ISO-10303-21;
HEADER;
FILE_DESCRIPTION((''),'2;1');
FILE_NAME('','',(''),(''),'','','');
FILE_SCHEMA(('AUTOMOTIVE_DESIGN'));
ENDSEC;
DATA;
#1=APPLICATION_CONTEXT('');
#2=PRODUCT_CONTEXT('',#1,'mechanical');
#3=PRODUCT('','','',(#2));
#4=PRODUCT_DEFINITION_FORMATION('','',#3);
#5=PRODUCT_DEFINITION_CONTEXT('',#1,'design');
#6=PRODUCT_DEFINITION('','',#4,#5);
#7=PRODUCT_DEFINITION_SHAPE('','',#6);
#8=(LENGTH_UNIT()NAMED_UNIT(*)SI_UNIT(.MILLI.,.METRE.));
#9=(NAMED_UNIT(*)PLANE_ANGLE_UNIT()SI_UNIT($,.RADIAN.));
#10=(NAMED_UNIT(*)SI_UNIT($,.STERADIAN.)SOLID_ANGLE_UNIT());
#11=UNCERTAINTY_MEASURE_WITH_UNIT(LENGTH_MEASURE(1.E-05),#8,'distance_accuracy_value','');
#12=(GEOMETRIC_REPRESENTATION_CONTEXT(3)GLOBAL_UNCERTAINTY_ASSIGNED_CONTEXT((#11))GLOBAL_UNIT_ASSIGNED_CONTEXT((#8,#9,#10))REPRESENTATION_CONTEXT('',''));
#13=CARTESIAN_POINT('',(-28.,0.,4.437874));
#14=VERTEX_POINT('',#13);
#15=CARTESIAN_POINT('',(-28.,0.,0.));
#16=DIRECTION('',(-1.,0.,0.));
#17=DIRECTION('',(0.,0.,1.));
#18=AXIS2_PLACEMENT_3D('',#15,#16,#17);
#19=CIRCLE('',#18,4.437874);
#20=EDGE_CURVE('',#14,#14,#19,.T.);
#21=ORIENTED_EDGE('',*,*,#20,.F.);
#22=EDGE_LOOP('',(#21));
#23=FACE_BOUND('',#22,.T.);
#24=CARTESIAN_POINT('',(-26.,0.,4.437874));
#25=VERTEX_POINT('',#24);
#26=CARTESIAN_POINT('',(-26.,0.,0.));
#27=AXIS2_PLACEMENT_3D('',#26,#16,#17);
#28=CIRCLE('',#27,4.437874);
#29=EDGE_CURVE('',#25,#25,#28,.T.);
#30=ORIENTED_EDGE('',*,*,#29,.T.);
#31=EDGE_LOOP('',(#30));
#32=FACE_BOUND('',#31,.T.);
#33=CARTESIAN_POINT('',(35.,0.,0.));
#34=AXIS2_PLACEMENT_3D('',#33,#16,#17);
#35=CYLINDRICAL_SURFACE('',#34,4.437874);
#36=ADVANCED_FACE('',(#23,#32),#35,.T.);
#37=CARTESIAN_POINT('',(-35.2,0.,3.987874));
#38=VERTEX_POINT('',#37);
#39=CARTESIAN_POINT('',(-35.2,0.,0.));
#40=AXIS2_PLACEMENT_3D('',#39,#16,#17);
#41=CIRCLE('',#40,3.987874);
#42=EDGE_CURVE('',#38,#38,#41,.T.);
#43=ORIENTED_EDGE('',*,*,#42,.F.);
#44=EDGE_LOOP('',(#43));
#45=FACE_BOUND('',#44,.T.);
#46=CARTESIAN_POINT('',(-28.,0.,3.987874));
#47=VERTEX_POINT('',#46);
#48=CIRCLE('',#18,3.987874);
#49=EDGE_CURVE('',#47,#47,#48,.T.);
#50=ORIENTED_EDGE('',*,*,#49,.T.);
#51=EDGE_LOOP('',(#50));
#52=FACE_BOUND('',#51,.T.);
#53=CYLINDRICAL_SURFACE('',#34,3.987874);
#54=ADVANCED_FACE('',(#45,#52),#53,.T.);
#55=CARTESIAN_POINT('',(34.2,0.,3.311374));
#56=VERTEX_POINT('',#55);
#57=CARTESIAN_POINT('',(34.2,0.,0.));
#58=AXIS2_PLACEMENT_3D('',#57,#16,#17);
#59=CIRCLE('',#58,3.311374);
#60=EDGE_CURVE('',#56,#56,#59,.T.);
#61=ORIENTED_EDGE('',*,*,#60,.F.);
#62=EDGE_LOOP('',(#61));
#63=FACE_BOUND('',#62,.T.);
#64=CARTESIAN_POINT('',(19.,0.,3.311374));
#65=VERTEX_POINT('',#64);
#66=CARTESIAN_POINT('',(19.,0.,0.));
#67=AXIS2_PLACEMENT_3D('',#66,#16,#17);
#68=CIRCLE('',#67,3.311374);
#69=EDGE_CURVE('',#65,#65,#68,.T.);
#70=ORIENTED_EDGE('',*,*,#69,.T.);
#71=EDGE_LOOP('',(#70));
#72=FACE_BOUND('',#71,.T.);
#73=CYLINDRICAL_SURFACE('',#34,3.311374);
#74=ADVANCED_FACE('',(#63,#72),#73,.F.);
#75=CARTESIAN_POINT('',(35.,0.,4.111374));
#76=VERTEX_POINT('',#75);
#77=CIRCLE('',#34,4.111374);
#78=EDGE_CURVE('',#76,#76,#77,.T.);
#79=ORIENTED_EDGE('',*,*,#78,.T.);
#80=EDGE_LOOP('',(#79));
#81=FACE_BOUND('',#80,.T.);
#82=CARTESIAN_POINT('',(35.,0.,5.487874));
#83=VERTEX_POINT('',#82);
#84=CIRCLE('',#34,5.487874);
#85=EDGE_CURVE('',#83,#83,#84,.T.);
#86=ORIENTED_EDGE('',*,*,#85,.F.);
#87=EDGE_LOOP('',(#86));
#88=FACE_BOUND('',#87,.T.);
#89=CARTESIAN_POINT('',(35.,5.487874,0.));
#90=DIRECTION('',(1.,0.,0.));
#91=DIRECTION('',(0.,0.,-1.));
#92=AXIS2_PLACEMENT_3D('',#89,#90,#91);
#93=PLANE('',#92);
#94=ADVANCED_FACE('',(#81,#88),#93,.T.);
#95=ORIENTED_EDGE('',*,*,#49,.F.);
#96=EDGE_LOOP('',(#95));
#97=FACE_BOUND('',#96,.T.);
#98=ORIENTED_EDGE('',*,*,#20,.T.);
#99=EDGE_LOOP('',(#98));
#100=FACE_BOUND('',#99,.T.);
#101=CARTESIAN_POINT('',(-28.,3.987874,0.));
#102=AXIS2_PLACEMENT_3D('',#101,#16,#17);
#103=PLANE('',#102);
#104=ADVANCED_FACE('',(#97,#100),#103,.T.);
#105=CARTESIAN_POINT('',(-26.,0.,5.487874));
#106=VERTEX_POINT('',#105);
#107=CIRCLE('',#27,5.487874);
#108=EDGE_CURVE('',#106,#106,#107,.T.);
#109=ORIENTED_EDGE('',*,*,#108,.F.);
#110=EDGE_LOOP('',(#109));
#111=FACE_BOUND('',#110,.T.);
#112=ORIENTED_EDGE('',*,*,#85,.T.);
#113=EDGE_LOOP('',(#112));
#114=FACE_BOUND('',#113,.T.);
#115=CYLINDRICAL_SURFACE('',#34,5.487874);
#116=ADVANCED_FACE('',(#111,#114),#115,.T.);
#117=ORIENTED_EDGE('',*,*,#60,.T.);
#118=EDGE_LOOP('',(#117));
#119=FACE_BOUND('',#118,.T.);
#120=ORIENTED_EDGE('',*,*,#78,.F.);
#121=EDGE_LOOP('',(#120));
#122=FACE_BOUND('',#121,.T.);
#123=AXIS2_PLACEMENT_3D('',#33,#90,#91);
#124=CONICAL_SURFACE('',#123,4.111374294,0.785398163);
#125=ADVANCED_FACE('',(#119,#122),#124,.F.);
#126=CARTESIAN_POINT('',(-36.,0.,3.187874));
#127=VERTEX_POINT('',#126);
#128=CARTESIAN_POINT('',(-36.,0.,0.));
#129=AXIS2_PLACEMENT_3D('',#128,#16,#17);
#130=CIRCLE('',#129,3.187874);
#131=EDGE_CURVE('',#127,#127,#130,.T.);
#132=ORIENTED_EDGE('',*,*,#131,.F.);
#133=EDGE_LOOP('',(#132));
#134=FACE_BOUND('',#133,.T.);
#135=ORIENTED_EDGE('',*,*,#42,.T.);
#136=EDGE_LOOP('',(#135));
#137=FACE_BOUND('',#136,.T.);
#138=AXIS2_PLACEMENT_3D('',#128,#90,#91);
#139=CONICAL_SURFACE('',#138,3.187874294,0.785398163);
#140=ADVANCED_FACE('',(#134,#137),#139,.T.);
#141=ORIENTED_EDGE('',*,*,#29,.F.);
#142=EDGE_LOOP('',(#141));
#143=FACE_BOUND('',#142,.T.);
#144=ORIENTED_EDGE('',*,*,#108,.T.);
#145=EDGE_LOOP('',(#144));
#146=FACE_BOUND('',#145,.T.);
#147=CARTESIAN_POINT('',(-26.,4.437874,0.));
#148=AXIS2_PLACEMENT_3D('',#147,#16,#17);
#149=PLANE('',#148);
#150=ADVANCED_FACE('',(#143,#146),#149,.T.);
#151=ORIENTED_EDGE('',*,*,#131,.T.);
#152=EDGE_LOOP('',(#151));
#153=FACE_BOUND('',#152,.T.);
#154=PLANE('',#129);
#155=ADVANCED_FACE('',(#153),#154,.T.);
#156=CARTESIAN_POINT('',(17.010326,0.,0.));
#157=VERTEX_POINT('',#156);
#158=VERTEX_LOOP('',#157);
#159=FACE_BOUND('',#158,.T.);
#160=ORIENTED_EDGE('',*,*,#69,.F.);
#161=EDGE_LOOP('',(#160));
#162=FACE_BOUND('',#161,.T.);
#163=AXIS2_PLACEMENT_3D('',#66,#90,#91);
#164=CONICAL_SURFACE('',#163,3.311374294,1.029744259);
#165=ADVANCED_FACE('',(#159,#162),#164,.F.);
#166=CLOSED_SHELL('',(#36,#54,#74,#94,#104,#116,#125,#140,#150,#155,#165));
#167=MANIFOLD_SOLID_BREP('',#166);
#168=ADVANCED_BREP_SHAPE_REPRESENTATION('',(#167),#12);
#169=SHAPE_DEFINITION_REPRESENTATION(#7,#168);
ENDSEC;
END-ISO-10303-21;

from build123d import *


with BuildPart() as part:
    # Sketch1 → Revolve1 (revolve)
    with BuildSketch(Plane(origin=(0, 0, 0), x_dir=(-1, 0, 0), z_dir=(0, 0, -1))):
        Polygon((-19, 3.311374294), (-17.010325592, 0), (36, 0), (36, 3.187874294), (35.2, 3.987874294), (28, 3.987874294), (28, 4.437874294), (26, 4.437874294), (26, 5.487874294), (-35, 5.487874294), (-35, 4.111374294), (-34.2, 3.311374294), align=None)
    revolve(axis=Axis((35, 0, 0), (-1, 0, 0)))


solid = part.part
